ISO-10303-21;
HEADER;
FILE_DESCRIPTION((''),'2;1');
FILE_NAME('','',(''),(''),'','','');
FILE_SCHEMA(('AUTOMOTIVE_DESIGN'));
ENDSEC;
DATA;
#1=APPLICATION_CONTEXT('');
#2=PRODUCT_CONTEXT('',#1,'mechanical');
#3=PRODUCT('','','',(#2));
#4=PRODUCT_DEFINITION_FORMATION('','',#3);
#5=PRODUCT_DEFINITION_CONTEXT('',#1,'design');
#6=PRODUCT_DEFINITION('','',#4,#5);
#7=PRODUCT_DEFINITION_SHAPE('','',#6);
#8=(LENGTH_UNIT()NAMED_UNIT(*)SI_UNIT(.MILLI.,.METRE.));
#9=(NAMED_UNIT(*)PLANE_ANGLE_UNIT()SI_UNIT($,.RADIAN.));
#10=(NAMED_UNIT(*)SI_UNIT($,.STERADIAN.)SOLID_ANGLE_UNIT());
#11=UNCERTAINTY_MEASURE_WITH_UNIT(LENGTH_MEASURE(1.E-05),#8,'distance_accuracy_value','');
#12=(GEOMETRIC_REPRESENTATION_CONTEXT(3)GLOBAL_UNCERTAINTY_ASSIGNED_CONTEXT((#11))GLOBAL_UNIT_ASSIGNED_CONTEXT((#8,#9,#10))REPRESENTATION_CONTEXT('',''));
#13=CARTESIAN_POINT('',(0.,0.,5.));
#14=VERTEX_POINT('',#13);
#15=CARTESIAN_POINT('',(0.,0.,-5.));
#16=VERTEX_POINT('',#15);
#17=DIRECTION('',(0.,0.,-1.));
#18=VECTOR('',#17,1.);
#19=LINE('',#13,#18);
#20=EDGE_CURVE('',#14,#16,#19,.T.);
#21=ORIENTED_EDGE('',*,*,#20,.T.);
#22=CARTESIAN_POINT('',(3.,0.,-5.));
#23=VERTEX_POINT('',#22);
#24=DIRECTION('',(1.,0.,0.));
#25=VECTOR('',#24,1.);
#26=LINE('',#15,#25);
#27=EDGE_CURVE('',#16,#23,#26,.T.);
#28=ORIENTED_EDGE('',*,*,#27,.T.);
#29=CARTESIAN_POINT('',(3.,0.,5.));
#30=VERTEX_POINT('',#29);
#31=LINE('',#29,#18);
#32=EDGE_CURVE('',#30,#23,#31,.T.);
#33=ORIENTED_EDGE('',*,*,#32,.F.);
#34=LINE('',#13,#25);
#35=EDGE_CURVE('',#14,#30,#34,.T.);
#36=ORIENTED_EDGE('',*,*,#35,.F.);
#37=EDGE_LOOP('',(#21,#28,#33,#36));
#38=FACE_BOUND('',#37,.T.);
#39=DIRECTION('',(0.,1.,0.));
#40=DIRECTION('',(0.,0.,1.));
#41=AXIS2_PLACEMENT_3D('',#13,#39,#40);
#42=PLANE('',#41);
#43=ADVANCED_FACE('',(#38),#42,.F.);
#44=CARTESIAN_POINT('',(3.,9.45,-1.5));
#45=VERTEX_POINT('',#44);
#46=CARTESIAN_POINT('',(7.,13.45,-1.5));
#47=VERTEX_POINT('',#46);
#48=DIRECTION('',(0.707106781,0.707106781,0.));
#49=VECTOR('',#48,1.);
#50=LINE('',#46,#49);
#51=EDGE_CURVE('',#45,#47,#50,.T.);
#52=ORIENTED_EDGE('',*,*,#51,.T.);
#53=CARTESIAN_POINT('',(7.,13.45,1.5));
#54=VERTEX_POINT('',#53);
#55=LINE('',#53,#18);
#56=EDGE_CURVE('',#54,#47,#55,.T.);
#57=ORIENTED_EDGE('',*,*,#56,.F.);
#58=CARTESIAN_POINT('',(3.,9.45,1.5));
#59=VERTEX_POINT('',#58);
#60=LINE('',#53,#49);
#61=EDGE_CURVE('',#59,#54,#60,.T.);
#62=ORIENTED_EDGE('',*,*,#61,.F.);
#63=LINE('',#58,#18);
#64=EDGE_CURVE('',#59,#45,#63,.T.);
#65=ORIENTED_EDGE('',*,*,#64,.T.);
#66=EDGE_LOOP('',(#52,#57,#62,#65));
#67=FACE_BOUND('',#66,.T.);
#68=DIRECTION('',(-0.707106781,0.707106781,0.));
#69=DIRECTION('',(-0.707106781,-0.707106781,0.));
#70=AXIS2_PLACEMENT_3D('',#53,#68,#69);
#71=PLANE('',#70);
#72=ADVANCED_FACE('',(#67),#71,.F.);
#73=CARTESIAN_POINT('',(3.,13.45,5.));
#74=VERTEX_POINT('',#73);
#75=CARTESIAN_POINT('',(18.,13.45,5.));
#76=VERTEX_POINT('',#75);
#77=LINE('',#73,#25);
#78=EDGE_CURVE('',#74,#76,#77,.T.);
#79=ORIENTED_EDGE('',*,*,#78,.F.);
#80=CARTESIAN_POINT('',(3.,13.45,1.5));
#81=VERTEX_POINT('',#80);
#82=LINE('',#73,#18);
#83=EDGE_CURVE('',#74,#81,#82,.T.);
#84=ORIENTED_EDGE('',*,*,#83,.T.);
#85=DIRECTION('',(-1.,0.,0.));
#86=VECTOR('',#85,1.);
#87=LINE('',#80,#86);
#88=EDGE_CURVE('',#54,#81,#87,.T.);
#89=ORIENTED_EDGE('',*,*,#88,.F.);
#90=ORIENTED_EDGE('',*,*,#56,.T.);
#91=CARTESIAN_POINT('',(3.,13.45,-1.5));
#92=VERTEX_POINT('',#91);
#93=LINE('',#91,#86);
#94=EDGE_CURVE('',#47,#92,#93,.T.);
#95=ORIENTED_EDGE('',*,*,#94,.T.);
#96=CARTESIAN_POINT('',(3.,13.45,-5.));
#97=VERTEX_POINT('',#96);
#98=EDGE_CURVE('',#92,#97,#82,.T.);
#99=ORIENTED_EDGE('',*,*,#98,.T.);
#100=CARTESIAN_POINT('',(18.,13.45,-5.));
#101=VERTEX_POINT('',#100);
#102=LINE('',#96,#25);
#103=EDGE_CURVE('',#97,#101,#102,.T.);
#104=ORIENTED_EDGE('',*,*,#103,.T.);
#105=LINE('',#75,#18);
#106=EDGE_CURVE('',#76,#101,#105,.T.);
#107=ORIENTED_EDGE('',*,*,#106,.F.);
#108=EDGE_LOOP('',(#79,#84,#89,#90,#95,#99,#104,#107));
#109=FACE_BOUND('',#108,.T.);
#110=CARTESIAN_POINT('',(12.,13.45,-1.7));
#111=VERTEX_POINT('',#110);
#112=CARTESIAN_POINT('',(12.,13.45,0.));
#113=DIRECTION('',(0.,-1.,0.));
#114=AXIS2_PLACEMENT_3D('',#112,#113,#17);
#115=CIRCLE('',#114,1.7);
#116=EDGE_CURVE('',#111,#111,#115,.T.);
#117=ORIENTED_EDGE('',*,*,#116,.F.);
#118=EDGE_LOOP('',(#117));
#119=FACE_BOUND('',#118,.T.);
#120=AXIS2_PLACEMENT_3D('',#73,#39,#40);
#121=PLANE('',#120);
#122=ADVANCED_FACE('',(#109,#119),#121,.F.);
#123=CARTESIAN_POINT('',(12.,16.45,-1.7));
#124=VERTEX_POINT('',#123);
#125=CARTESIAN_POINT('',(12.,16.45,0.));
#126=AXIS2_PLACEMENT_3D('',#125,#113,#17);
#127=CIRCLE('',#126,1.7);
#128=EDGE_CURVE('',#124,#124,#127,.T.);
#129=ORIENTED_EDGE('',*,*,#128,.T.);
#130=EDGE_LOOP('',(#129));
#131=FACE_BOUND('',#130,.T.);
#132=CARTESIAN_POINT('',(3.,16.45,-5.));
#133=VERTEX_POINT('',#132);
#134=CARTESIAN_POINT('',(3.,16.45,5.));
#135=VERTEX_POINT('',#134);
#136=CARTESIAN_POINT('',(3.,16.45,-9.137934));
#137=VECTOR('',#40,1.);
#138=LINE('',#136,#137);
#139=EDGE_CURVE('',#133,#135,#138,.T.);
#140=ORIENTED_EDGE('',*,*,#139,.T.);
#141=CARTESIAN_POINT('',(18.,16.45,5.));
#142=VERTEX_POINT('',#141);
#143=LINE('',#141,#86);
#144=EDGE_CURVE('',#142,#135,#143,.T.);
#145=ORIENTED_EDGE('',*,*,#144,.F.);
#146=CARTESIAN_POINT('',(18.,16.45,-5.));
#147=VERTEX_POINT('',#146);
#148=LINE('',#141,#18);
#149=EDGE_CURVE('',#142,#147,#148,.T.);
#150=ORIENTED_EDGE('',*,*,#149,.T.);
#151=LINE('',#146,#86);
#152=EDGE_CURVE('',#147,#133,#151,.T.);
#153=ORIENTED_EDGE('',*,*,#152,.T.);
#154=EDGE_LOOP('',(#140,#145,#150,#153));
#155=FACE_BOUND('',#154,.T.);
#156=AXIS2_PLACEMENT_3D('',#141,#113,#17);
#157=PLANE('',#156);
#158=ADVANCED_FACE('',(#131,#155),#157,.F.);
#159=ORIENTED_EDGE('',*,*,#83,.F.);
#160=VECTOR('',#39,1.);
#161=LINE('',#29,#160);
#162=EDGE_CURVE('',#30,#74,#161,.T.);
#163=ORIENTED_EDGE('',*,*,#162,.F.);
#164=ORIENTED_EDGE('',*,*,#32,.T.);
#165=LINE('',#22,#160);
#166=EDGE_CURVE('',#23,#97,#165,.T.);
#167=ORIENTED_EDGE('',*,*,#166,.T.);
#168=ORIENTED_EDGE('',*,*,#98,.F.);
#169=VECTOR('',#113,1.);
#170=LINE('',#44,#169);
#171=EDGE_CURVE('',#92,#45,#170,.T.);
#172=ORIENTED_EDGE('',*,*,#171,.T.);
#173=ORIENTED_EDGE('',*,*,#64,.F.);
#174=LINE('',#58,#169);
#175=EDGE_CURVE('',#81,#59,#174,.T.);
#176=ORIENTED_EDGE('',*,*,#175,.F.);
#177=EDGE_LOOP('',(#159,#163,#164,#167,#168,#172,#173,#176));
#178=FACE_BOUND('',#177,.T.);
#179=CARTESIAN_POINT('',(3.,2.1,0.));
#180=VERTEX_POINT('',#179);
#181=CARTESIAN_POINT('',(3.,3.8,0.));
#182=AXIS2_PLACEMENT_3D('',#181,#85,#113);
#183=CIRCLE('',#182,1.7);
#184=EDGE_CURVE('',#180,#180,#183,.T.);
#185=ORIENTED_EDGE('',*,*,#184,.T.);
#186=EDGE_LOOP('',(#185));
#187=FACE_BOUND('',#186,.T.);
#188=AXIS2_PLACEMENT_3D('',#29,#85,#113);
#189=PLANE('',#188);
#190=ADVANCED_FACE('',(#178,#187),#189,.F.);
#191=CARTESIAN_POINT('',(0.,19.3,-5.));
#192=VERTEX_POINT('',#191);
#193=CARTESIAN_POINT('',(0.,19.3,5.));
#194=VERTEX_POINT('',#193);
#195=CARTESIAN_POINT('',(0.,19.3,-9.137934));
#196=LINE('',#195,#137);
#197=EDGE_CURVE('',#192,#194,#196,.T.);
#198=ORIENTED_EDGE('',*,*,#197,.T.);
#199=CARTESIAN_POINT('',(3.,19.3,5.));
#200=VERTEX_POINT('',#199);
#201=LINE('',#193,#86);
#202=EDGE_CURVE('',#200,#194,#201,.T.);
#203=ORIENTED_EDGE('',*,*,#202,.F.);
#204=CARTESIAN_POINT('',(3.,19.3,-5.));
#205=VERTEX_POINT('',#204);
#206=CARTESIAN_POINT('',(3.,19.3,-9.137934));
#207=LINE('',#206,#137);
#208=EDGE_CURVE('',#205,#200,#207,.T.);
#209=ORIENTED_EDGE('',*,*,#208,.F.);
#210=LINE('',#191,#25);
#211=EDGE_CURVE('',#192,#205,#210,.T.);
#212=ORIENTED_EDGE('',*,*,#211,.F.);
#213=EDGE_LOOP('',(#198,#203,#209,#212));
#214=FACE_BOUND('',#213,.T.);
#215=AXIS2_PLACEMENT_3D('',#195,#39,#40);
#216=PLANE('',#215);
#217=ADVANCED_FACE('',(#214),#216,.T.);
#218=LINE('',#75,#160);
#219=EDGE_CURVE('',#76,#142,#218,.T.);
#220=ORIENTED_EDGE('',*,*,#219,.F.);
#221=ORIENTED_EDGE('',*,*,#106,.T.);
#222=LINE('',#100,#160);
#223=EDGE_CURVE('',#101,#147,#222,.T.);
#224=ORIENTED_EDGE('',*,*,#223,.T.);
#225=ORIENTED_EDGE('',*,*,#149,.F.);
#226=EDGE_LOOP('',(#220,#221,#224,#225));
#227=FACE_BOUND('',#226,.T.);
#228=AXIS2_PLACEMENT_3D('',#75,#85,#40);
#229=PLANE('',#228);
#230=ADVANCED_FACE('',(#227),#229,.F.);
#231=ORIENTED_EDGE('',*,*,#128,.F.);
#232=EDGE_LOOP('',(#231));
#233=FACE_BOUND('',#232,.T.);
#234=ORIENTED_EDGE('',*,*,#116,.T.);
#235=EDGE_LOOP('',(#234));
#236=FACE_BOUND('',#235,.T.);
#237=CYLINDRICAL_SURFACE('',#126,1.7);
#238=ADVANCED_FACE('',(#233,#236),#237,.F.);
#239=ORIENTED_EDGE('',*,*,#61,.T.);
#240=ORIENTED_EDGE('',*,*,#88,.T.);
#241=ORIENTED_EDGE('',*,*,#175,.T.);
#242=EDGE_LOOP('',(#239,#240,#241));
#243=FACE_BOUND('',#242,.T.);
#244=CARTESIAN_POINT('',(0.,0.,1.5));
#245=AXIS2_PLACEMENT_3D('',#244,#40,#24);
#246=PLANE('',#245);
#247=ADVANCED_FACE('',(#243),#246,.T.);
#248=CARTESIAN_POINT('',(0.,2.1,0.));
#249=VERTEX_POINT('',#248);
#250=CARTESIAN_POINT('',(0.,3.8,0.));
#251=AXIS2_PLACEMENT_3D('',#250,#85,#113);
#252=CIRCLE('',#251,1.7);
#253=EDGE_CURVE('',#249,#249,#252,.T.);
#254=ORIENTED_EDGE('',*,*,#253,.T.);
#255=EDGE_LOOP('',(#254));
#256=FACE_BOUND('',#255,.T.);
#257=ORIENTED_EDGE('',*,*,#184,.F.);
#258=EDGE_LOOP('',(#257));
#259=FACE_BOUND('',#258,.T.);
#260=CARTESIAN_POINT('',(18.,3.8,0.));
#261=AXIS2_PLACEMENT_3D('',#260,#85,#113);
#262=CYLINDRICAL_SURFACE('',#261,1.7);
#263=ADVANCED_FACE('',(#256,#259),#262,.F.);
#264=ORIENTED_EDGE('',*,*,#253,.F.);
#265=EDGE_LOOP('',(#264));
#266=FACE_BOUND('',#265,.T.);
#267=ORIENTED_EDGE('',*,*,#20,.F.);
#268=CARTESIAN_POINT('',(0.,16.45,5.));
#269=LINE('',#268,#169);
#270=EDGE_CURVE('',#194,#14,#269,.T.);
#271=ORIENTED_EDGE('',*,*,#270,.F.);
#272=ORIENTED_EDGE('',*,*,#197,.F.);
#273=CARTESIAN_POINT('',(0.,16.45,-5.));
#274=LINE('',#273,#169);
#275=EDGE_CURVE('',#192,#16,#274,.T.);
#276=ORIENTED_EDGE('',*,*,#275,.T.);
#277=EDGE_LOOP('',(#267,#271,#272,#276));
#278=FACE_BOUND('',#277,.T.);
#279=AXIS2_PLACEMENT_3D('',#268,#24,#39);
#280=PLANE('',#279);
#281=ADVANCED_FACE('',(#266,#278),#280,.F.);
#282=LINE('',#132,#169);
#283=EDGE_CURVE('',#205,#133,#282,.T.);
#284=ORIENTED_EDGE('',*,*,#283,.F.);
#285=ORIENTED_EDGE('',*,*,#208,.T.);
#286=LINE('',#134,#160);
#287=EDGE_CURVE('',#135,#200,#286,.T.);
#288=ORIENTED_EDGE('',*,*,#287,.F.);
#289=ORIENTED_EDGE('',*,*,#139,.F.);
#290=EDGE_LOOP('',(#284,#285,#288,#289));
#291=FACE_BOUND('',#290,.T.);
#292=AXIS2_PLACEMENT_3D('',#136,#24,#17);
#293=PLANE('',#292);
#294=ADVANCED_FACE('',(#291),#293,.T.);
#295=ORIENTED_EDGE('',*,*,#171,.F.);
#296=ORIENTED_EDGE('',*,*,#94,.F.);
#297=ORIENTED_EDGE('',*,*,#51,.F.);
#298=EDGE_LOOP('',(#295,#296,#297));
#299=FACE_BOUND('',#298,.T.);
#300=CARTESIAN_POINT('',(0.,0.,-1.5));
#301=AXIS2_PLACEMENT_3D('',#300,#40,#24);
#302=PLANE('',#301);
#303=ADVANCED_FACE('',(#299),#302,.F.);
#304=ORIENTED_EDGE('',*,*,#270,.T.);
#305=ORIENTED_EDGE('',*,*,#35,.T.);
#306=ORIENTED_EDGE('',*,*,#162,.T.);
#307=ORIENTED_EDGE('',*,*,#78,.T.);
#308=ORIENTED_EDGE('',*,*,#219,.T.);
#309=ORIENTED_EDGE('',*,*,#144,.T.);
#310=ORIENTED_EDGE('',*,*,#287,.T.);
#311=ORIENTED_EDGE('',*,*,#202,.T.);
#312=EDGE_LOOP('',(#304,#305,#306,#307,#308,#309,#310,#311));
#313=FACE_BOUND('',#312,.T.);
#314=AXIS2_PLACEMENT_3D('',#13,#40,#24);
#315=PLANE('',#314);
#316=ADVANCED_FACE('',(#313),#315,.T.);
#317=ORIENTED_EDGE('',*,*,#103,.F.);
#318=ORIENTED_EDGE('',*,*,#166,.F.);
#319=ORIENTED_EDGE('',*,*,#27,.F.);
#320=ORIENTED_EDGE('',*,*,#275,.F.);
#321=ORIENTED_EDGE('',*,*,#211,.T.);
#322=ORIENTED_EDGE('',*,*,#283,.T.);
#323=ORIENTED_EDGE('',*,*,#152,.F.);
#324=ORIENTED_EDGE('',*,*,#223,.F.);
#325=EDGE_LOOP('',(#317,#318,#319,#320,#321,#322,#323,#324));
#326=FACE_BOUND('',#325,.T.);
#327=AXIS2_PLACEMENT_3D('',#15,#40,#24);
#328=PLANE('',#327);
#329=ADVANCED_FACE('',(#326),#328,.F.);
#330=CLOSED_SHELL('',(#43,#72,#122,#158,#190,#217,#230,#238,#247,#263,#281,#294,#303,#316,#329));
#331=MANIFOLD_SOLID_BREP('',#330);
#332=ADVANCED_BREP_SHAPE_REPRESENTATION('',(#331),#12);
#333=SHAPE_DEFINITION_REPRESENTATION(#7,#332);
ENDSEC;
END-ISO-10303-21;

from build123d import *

# Parameters (mm, degrees)
BOSS_EXTRUDE1_DEPTH = 5
SKETCH2_R           = 1.7
CUT_EXTRUDE1_DEPTH  = 25.891815924
SKETCH3_R           = 1.7
CUT_EXTRUDE2_DEPTH  = 24.019611204
SKETCH5_W           = 3
SKETCH5_H           = 2.85
BOSS_EXTRUDE2_DEPTH = 10
BOSS_EXTRUDE3_DEPTH = 1.5


with BuildPart() as part:
    # Sketch1 → Boss-Extrude1 (new, symmetric)
    with BuildSketch(Plane.XY):
        Polygon((0, 0), (3, 0), (3, 13.45), (18, 13.45), (18, 16.45), (0, 16.45), align=None)
    extrude(amount=BOSS_EXTRUDE1_DEPTH, both=True)

    # Sketch2 → Cut-Extrude1 (cut, through all)
    with BuildSketch(Plane.ZY):
        with Locations(Location((0, 3.8, 0), (0, 0, 270))):
            Circle(SKETCH2_R)
    extrude(amount=-CUT_EXTRUDE1_DEPTH, mode=Mode.SUBTRACT)

    # Sketch3 → Cut-Extrude2 (cut, through all)
    with BuildSketch(Plane.XZ.offset(-13.45)):
        with Locations(Location((12, 0, 0), (0, 0, 270))):
            Circle(SKETCH3_R)
    extrude(amount=-CUT_EXTRUDE2_DEPTH, mode=Mode.SUBTRACT)

    # Sketch5 → Boss-Extrude2 (add)
    with BuildSketch(Plane.XY.offset(5)):
        with Locations((1.5, 17.875)):
            Rectangle(SKETCH5_W, SKETCH5_H)
    extrude(amount=-BOSS_EXTRUDE2_DEPTH)

    # Sketch6 → Boss-Extrude3 (add, symmetric)
    with BuildSketch(Plane.XY):
        Polygon((7, 13.45), (3, 9.45), (3, 13.45), align=None)
    extrude(amount=BOSS_EXTRUDE3_DEPTH, both=True)


solid = part.part
